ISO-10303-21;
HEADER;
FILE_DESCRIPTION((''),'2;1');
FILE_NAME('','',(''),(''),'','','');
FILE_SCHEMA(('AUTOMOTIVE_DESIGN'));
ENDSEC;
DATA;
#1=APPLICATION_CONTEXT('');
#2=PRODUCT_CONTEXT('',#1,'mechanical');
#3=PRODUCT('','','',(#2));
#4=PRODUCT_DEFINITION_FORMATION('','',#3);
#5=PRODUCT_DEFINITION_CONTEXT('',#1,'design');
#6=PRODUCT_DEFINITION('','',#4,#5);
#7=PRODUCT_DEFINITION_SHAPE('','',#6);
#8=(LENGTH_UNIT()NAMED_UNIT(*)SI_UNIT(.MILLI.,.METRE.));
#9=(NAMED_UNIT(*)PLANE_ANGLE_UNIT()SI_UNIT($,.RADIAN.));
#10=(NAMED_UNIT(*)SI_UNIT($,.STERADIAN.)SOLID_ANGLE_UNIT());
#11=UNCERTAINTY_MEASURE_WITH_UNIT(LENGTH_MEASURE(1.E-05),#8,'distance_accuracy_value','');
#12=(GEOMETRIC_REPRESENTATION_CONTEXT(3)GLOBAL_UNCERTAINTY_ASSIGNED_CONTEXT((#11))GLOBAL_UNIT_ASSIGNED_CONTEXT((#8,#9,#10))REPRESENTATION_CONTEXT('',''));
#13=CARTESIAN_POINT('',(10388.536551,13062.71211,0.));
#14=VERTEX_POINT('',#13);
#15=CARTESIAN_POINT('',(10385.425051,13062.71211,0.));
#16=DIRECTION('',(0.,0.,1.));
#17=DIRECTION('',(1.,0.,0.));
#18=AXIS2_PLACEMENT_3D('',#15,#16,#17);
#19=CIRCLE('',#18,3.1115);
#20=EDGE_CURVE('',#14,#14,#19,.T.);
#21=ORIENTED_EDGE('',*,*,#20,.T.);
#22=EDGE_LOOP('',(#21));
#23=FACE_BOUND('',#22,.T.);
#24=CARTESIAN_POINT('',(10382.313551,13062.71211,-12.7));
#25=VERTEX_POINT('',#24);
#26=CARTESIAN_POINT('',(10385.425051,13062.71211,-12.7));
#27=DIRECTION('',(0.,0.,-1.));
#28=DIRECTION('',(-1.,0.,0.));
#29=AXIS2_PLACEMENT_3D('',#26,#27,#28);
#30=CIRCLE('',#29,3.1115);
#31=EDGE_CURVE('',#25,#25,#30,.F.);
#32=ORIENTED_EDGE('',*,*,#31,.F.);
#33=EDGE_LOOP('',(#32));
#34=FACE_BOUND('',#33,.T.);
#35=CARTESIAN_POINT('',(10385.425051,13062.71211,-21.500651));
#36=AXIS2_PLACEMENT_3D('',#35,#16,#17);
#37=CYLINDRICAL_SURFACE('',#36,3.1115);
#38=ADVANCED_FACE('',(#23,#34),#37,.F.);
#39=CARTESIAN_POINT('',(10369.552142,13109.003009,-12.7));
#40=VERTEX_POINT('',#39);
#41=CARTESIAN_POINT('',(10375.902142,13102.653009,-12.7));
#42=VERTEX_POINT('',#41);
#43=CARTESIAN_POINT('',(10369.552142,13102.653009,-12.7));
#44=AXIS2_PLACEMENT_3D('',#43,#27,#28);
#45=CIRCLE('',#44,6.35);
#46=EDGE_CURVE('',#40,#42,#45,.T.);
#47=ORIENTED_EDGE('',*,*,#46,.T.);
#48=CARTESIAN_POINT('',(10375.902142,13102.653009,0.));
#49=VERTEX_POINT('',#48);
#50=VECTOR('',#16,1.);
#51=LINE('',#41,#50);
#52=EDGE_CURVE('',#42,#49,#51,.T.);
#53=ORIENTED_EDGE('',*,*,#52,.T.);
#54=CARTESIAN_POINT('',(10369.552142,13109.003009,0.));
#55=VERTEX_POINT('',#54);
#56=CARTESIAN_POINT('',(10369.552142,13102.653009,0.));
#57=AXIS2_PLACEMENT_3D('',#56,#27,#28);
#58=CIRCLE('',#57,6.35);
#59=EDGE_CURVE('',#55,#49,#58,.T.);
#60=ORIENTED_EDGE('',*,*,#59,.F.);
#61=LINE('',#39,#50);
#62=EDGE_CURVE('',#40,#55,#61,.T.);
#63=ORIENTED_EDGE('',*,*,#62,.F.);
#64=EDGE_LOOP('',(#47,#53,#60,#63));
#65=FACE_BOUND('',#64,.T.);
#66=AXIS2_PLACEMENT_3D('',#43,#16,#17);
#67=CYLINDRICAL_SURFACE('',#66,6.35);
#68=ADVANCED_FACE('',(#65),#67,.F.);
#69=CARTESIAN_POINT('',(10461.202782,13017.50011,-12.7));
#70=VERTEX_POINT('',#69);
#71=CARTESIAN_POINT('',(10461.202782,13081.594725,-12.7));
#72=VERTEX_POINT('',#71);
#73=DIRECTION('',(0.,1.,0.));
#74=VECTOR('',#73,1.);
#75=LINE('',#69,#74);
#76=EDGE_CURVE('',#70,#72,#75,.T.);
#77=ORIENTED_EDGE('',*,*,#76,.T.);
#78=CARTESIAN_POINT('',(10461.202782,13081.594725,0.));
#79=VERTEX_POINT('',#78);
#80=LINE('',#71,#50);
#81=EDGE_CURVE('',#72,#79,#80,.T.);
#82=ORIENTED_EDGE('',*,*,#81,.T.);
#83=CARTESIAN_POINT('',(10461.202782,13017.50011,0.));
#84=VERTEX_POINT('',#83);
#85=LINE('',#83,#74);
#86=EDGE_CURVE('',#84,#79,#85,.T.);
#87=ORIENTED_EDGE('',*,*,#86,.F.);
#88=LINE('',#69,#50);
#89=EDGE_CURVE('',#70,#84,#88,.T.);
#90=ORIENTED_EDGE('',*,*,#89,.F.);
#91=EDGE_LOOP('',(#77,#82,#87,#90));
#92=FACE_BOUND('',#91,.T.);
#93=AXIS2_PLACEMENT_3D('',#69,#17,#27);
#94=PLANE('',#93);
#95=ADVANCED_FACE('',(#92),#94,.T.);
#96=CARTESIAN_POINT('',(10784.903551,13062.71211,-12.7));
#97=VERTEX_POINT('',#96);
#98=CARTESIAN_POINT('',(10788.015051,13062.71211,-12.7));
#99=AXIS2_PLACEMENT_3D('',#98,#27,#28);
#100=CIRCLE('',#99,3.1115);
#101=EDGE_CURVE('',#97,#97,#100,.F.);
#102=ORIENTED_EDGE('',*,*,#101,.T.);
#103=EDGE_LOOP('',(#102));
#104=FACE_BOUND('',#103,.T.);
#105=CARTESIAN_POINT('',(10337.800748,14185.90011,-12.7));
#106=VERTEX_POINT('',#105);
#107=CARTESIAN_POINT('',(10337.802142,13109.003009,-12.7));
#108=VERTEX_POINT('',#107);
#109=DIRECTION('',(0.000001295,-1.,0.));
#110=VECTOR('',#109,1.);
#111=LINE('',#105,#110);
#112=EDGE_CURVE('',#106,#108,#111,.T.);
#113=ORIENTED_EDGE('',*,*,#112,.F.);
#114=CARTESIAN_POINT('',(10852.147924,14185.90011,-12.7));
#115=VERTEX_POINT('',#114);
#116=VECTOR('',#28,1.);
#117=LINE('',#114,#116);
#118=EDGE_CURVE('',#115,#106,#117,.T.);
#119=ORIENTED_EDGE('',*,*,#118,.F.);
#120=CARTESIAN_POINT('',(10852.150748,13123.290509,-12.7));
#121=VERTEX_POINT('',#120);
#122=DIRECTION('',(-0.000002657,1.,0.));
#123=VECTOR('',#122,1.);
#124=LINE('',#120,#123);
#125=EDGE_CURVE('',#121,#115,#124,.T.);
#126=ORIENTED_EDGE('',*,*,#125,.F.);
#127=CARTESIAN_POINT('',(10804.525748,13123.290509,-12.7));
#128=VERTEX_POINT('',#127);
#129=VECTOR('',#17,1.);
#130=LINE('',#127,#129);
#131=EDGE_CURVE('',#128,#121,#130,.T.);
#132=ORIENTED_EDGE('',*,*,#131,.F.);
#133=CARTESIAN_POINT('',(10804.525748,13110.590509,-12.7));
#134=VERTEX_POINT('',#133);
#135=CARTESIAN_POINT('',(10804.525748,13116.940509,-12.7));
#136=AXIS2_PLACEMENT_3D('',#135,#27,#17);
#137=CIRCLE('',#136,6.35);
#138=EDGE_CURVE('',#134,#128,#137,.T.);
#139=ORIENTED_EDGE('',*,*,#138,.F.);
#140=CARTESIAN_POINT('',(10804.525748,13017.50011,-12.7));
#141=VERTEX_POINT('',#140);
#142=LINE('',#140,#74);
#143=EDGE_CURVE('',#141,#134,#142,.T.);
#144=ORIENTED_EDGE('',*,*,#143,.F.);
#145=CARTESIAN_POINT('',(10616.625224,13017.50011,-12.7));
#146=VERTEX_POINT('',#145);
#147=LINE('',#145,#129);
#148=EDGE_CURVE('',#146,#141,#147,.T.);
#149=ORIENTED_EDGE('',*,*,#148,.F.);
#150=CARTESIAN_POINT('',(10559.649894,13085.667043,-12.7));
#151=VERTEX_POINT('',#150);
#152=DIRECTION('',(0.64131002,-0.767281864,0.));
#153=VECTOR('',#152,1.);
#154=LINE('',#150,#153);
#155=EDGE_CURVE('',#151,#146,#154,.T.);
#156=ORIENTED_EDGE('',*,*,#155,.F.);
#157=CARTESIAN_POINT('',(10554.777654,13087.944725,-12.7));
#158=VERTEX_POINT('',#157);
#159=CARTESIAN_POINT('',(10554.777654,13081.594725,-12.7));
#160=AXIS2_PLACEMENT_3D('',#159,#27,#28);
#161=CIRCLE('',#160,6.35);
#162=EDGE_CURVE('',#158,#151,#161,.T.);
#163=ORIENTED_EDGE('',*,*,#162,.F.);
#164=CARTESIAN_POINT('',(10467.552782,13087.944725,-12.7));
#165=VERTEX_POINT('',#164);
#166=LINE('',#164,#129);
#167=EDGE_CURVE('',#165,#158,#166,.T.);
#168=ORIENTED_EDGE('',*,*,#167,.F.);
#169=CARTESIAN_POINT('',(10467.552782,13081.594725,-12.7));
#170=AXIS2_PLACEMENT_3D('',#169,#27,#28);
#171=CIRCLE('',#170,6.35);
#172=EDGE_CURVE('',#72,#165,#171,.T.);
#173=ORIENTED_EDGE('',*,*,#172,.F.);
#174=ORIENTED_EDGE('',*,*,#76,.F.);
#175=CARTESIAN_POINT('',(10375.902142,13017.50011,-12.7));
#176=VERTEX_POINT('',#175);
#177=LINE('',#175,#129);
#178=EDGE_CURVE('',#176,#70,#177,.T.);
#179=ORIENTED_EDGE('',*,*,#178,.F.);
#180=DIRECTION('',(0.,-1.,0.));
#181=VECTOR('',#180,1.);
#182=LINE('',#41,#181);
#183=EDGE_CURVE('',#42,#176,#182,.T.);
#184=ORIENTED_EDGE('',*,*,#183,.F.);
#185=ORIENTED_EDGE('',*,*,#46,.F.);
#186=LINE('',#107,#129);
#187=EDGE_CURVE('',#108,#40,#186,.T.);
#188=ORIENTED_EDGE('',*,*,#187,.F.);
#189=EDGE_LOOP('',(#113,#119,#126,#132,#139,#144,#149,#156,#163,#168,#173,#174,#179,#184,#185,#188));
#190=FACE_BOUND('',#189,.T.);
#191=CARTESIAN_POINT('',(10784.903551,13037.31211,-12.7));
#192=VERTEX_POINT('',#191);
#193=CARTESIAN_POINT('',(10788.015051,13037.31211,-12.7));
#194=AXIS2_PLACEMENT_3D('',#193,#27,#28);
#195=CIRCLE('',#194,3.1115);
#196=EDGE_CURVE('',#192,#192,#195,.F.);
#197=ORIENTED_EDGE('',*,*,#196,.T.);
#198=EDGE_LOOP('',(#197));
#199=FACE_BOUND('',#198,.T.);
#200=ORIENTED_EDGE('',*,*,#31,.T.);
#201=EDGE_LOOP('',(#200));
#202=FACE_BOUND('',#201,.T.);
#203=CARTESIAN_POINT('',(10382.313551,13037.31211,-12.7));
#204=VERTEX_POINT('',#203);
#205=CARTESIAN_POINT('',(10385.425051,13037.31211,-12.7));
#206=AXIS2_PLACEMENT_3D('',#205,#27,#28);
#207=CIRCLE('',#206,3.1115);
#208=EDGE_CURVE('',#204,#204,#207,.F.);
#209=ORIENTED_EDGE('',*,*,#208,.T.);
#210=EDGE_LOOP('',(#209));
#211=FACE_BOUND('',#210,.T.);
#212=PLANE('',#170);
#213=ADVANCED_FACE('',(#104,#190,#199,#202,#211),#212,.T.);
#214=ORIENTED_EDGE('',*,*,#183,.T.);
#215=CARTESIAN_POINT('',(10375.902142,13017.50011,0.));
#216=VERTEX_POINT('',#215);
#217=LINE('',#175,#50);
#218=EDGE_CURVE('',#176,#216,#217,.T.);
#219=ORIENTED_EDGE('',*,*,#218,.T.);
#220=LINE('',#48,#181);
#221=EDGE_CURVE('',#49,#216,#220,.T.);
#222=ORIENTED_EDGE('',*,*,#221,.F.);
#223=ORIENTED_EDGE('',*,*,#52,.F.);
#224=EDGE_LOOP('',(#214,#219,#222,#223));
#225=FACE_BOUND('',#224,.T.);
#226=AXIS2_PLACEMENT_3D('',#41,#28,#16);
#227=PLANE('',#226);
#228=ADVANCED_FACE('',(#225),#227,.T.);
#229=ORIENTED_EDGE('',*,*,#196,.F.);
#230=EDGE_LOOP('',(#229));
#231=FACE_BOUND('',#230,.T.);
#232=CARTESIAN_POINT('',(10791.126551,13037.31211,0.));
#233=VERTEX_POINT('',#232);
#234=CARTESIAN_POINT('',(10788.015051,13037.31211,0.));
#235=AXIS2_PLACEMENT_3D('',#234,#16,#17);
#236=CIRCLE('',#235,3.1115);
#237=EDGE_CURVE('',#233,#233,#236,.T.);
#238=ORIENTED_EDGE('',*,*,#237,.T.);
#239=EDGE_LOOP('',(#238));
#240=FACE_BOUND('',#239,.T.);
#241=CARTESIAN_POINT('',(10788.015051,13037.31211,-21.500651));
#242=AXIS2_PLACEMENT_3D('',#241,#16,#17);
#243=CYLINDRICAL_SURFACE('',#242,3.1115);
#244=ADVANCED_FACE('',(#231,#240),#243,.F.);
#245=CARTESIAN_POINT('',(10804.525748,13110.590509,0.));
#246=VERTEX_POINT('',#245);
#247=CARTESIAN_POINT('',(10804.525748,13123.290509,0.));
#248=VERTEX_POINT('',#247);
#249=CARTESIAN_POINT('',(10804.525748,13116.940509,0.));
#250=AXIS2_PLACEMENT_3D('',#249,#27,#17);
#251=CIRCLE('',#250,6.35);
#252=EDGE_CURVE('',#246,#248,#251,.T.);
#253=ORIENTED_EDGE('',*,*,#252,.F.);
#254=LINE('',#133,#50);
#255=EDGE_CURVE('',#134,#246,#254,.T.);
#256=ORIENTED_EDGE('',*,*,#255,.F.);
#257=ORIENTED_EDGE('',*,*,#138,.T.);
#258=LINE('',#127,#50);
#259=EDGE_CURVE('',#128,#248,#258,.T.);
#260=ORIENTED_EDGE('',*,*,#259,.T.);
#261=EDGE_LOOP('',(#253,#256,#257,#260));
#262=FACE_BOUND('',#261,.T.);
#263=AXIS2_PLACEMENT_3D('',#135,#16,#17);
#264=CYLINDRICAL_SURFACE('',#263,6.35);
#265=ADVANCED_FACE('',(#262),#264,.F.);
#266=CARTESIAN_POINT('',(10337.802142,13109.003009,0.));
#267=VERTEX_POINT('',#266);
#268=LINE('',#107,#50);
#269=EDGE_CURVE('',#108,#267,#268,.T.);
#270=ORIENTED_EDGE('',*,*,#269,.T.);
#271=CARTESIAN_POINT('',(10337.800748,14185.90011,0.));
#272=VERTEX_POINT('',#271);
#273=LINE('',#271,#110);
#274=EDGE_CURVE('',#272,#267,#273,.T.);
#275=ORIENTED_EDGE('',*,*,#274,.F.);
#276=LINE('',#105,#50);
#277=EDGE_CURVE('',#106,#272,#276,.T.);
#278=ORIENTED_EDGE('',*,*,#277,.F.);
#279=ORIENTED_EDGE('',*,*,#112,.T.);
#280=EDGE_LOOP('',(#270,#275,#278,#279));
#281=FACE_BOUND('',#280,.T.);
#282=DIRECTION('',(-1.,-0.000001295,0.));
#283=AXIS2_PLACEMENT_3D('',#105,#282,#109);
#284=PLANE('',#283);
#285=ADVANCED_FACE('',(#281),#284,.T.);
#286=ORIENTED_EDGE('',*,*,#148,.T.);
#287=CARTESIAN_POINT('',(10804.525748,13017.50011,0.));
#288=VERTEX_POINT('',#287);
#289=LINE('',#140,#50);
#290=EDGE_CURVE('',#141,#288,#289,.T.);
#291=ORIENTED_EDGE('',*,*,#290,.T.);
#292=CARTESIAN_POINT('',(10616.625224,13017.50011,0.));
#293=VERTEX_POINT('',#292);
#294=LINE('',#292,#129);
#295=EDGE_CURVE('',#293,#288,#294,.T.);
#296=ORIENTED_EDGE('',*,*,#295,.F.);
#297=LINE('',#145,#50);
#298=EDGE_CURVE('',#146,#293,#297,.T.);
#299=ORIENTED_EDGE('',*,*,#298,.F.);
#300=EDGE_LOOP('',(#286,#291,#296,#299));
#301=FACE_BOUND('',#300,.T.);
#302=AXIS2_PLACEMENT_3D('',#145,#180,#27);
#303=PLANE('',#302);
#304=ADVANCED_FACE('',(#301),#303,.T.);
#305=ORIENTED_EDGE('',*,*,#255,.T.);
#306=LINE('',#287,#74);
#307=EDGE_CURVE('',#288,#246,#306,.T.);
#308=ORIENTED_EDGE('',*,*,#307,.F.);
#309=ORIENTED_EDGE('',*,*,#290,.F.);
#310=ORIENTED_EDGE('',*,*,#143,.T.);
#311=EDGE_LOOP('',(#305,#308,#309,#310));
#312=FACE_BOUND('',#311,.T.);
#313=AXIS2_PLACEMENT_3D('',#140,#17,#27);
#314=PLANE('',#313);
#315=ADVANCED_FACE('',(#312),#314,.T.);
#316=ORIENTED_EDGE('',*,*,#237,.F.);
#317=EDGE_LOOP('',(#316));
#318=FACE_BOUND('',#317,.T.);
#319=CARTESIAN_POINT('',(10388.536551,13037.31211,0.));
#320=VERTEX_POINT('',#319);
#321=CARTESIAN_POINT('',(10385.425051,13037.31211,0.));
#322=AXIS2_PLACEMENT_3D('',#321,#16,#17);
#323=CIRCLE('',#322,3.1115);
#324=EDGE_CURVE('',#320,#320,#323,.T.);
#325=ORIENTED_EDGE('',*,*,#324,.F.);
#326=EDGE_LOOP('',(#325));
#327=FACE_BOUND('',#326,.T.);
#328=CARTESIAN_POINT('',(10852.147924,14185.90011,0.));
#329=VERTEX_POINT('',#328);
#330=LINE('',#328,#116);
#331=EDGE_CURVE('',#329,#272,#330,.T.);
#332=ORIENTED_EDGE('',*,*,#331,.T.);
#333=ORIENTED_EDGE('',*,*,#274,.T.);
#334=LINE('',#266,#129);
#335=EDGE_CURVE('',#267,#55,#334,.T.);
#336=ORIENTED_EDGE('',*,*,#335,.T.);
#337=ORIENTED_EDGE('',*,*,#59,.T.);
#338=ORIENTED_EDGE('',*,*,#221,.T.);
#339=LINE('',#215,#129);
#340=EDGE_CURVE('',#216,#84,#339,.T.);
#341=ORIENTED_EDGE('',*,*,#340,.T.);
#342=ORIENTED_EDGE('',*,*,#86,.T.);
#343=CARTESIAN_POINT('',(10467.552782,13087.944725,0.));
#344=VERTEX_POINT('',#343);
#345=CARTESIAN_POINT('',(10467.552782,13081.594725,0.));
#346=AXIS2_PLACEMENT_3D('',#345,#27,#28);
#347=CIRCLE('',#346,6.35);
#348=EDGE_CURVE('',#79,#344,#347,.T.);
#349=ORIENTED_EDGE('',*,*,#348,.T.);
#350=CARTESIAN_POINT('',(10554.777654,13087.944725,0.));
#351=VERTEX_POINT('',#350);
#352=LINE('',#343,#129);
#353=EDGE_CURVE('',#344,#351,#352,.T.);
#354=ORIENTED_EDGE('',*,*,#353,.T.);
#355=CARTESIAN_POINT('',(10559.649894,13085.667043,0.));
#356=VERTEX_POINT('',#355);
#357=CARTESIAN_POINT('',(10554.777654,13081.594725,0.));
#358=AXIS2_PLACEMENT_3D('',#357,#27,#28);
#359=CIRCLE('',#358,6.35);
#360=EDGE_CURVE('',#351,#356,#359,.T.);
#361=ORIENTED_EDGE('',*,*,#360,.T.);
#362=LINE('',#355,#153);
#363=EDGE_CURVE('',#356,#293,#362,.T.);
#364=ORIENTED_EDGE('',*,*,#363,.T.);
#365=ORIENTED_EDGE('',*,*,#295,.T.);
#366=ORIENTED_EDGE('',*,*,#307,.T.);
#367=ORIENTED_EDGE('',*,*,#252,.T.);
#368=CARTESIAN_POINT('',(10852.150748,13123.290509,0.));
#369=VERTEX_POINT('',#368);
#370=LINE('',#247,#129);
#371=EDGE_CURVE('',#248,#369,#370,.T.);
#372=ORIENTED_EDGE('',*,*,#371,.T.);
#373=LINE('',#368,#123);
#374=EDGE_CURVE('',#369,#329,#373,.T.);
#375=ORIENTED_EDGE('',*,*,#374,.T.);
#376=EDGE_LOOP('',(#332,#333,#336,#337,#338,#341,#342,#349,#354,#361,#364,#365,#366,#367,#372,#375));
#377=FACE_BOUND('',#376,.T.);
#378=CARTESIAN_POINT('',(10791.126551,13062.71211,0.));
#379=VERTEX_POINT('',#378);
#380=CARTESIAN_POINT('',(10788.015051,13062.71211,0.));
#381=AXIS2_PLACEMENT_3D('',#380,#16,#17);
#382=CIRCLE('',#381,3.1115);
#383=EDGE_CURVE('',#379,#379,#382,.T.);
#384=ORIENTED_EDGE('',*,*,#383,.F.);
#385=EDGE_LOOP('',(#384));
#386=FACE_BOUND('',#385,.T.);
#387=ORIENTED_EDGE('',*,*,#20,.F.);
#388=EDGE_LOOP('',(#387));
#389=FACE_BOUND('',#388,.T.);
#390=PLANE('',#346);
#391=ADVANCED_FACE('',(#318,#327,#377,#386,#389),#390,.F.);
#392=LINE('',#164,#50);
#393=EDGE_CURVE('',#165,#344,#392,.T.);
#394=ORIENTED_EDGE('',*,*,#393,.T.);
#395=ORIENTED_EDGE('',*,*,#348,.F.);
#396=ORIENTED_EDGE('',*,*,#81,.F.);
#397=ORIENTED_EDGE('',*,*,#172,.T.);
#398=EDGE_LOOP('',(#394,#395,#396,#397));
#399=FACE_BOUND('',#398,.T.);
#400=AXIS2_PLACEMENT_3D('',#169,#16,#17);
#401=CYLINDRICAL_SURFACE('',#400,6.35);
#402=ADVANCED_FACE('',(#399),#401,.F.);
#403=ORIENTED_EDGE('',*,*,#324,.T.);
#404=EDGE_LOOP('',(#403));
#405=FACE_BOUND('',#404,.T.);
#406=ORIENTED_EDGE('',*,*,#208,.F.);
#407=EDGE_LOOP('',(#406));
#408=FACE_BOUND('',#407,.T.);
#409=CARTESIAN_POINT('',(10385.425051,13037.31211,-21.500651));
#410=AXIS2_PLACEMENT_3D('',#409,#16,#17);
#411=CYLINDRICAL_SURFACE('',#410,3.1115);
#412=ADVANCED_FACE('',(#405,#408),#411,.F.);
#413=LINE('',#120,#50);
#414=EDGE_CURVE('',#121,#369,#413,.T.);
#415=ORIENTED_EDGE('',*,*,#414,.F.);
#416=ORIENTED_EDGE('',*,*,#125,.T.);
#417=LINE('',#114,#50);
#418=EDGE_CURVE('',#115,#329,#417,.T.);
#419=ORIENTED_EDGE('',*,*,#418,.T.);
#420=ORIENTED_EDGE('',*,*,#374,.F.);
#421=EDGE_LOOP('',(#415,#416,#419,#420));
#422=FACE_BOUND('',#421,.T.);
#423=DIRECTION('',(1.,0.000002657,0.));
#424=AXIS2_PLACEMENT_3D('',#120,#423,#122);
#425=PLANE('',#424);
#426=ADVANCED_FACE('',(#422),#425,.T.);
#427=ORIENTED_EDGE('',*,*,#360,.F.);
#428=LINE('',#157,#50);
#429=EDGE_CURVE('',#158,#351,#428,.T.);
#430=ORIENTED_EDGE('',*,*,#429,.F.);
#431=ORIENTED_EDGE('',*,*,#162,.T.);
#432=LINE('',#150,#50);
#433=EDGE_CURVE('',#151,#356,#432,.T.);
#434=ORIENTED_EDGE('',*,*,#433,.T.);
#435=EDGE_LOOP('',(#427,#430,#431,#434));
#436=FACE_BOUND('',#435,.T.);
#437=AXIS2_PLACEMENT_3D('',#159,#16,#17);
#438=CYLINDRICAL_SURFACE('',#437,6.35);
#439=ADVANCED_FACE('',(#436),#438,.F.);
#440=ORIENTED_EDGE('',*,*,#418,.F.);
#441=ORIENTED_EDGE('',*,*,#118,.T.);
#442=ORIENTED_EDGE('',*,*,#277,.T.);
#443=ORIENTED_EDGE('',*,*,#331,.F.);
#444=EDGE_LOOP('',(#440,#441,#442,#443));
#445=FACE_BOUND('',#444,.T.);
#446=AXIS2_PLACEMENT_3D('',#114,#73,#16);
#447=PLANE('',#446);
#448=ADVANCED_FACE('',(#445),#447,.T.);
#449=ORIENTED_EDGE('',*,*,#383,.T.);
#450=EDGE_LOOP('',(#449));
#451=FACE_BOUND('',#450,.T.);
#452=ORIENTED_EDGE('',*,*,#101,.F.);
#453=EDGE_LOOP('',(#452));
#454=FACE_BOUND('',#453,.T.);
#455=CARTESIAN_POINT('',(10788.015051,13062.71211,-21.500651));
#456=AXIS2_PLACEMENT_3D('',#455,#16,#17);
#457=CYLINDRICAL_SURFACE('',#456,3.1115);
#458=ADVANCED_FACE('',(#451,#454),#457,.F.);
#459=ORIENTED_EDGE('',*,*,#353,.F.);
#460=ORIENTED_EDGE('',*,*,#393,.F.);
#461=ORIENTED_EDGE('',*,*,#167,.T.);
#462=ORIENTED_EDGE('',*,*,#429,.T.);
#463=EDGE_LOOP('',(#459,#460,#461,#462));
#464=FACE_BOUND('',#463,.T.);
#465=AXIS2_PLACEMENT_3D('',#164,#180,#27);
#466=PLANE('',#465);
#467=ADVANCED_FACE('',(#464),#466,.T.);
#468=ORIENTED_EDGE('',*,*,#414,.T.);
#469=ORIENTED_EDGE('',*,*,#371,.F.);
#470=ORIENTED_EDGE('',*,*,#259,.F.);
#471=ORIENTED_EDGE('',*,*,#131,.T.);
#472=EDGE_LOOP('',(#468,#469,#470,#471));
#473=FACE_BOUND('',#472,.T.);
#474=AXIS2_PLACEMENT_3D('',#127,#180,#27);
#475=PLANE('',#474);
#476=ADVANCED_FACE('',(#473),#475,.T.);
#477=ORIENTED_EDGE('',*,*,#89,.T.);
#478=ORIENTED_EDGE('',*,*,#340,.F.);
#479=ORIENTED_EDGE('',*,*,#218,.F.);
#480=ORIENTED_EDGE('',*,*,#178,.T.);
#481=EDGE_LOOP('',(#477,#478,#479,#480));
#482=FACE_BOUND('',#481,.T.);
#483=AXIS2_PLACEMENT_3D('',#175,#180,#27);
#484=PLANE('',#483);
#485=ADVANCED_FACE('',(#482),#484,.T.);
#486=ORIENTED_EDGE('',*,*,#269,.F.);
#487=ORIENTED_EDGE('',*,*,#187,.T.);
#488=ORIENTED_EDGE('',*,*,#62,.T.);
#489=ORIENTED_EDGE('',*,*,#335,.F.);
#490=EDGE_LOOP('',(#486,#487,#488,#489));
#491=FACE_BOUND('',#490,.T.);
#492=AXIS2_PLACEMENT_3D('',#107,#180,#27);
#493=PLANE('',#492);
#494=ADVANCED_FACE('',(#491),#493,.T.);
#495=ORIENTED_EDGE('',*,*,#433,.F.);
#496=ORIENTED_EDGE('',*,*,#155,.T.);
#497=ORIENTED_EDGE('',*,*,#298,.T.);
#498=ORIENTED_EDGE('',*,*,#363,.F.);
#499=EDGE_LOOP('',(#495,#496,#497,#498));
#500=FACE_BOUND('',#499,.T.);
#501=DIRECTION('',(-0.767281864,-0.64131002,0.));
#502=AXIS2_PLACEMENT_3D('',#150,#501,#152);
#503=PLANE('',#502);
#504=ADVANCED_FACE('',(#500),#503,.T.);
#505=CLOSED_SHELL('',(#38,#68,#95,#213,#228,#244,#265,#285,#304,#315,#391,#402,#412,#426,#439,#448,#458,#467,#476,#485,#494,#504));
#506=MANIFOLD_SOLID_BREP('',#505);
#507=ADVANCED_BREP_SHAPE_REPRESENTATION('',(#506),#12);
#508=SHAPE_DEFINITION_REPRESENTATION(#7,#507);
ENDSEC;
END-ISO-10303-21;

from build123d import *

# Parameters (mm, degrees)
EXTRUDE1_DEPTH     = 12.7
SKETCH3_R          = 3.1115
CUT_EXTRUDE1_DEPTH = 12.7


with BuildPart() as part:
    # Sketch2 → Extrude1 (new body)
    with BuildSketch(Plane.XY):
        with BuildLine():
            Line((10375.902142089, 13017.500110193), (10461.202782059, 13017.500110193))
            Line((10461.202782059, 13017.500110193), (10461.202782059, 13081.594724716))
            ThreePointArc((10461.202782059, 13081.594724716), (10463.062653998, 13086.084852777), (10467.552782059, 13087.944724716))
            Line((10467.552782059, 13087.944724716), (10554.77765388, 13087.944724716))
            ThreePointArc((10554.77765388, 13087.944724716), (10557.466824452, 13087.347190416), (10559.649893716, 13085.667043341))
            Line((10559.649893716, 13085.667043341), (10616.625223517, 13017.500110193))
            Line((10616.625223517, 13017.500110193), (10804.525747814, 13017.500110193))
            Line((10804.525747814, 13017.500110193), (10804.525747814, 13110.590509206))
            ThreePointArc((10804.525747814, 13110.590509206), (10798.175747814, 13116.940509206), (10804.525747814, 13123.290509206))
            Line((10804.525747814, 13123.290509206), (10852.150747814, 13123.290509206))
            Line((10852.150747814, 13123.290509206), (10852.147924282, 14185.900110193))
            Line((10852.147924282, 14185.900110193), (10337.800747814, 14185.900110193))
            Line((10337.800747814, 14185.900110193), (10337.802142089, 13109.003009206))
            Line((10337.802142089, 13109.003009206), (10369.552142089, 13109.003009206))
            ThreePointArc((10369.552142089, 13109.003009206), (10374.042270149, 13107.143137266), (10375.902142089, 13102.653009206))
            Line((10375.902142089, 13102.653009206), (10375.902142089, 13017.500110193))
        make_face()
    extrude(amount=-EXTRUDE1_DEPTH)

    # Sketch3 → Cut-Extrude1 (cut)
    with BuildSketch(Plane.XY):
        with Locations((10385.425050678, 13062.712110193)):
            Circle(SKETCH3_R)
        with Locations((10385.425050678, 13037.312110193)):
            Circle(SKETCH3_R)
        with Locations((10788.015050678, 13062.712110193)):
            Circle(SKETCH3_R)
        with Locations((10788.015050678, 13037.312110193)):
            Circle(SKETCH3_R)
    extrude(amount=-CUT_EXTRUDE1_DEPTH, mode=Mode.SUBTRACT)


solid = part.part
